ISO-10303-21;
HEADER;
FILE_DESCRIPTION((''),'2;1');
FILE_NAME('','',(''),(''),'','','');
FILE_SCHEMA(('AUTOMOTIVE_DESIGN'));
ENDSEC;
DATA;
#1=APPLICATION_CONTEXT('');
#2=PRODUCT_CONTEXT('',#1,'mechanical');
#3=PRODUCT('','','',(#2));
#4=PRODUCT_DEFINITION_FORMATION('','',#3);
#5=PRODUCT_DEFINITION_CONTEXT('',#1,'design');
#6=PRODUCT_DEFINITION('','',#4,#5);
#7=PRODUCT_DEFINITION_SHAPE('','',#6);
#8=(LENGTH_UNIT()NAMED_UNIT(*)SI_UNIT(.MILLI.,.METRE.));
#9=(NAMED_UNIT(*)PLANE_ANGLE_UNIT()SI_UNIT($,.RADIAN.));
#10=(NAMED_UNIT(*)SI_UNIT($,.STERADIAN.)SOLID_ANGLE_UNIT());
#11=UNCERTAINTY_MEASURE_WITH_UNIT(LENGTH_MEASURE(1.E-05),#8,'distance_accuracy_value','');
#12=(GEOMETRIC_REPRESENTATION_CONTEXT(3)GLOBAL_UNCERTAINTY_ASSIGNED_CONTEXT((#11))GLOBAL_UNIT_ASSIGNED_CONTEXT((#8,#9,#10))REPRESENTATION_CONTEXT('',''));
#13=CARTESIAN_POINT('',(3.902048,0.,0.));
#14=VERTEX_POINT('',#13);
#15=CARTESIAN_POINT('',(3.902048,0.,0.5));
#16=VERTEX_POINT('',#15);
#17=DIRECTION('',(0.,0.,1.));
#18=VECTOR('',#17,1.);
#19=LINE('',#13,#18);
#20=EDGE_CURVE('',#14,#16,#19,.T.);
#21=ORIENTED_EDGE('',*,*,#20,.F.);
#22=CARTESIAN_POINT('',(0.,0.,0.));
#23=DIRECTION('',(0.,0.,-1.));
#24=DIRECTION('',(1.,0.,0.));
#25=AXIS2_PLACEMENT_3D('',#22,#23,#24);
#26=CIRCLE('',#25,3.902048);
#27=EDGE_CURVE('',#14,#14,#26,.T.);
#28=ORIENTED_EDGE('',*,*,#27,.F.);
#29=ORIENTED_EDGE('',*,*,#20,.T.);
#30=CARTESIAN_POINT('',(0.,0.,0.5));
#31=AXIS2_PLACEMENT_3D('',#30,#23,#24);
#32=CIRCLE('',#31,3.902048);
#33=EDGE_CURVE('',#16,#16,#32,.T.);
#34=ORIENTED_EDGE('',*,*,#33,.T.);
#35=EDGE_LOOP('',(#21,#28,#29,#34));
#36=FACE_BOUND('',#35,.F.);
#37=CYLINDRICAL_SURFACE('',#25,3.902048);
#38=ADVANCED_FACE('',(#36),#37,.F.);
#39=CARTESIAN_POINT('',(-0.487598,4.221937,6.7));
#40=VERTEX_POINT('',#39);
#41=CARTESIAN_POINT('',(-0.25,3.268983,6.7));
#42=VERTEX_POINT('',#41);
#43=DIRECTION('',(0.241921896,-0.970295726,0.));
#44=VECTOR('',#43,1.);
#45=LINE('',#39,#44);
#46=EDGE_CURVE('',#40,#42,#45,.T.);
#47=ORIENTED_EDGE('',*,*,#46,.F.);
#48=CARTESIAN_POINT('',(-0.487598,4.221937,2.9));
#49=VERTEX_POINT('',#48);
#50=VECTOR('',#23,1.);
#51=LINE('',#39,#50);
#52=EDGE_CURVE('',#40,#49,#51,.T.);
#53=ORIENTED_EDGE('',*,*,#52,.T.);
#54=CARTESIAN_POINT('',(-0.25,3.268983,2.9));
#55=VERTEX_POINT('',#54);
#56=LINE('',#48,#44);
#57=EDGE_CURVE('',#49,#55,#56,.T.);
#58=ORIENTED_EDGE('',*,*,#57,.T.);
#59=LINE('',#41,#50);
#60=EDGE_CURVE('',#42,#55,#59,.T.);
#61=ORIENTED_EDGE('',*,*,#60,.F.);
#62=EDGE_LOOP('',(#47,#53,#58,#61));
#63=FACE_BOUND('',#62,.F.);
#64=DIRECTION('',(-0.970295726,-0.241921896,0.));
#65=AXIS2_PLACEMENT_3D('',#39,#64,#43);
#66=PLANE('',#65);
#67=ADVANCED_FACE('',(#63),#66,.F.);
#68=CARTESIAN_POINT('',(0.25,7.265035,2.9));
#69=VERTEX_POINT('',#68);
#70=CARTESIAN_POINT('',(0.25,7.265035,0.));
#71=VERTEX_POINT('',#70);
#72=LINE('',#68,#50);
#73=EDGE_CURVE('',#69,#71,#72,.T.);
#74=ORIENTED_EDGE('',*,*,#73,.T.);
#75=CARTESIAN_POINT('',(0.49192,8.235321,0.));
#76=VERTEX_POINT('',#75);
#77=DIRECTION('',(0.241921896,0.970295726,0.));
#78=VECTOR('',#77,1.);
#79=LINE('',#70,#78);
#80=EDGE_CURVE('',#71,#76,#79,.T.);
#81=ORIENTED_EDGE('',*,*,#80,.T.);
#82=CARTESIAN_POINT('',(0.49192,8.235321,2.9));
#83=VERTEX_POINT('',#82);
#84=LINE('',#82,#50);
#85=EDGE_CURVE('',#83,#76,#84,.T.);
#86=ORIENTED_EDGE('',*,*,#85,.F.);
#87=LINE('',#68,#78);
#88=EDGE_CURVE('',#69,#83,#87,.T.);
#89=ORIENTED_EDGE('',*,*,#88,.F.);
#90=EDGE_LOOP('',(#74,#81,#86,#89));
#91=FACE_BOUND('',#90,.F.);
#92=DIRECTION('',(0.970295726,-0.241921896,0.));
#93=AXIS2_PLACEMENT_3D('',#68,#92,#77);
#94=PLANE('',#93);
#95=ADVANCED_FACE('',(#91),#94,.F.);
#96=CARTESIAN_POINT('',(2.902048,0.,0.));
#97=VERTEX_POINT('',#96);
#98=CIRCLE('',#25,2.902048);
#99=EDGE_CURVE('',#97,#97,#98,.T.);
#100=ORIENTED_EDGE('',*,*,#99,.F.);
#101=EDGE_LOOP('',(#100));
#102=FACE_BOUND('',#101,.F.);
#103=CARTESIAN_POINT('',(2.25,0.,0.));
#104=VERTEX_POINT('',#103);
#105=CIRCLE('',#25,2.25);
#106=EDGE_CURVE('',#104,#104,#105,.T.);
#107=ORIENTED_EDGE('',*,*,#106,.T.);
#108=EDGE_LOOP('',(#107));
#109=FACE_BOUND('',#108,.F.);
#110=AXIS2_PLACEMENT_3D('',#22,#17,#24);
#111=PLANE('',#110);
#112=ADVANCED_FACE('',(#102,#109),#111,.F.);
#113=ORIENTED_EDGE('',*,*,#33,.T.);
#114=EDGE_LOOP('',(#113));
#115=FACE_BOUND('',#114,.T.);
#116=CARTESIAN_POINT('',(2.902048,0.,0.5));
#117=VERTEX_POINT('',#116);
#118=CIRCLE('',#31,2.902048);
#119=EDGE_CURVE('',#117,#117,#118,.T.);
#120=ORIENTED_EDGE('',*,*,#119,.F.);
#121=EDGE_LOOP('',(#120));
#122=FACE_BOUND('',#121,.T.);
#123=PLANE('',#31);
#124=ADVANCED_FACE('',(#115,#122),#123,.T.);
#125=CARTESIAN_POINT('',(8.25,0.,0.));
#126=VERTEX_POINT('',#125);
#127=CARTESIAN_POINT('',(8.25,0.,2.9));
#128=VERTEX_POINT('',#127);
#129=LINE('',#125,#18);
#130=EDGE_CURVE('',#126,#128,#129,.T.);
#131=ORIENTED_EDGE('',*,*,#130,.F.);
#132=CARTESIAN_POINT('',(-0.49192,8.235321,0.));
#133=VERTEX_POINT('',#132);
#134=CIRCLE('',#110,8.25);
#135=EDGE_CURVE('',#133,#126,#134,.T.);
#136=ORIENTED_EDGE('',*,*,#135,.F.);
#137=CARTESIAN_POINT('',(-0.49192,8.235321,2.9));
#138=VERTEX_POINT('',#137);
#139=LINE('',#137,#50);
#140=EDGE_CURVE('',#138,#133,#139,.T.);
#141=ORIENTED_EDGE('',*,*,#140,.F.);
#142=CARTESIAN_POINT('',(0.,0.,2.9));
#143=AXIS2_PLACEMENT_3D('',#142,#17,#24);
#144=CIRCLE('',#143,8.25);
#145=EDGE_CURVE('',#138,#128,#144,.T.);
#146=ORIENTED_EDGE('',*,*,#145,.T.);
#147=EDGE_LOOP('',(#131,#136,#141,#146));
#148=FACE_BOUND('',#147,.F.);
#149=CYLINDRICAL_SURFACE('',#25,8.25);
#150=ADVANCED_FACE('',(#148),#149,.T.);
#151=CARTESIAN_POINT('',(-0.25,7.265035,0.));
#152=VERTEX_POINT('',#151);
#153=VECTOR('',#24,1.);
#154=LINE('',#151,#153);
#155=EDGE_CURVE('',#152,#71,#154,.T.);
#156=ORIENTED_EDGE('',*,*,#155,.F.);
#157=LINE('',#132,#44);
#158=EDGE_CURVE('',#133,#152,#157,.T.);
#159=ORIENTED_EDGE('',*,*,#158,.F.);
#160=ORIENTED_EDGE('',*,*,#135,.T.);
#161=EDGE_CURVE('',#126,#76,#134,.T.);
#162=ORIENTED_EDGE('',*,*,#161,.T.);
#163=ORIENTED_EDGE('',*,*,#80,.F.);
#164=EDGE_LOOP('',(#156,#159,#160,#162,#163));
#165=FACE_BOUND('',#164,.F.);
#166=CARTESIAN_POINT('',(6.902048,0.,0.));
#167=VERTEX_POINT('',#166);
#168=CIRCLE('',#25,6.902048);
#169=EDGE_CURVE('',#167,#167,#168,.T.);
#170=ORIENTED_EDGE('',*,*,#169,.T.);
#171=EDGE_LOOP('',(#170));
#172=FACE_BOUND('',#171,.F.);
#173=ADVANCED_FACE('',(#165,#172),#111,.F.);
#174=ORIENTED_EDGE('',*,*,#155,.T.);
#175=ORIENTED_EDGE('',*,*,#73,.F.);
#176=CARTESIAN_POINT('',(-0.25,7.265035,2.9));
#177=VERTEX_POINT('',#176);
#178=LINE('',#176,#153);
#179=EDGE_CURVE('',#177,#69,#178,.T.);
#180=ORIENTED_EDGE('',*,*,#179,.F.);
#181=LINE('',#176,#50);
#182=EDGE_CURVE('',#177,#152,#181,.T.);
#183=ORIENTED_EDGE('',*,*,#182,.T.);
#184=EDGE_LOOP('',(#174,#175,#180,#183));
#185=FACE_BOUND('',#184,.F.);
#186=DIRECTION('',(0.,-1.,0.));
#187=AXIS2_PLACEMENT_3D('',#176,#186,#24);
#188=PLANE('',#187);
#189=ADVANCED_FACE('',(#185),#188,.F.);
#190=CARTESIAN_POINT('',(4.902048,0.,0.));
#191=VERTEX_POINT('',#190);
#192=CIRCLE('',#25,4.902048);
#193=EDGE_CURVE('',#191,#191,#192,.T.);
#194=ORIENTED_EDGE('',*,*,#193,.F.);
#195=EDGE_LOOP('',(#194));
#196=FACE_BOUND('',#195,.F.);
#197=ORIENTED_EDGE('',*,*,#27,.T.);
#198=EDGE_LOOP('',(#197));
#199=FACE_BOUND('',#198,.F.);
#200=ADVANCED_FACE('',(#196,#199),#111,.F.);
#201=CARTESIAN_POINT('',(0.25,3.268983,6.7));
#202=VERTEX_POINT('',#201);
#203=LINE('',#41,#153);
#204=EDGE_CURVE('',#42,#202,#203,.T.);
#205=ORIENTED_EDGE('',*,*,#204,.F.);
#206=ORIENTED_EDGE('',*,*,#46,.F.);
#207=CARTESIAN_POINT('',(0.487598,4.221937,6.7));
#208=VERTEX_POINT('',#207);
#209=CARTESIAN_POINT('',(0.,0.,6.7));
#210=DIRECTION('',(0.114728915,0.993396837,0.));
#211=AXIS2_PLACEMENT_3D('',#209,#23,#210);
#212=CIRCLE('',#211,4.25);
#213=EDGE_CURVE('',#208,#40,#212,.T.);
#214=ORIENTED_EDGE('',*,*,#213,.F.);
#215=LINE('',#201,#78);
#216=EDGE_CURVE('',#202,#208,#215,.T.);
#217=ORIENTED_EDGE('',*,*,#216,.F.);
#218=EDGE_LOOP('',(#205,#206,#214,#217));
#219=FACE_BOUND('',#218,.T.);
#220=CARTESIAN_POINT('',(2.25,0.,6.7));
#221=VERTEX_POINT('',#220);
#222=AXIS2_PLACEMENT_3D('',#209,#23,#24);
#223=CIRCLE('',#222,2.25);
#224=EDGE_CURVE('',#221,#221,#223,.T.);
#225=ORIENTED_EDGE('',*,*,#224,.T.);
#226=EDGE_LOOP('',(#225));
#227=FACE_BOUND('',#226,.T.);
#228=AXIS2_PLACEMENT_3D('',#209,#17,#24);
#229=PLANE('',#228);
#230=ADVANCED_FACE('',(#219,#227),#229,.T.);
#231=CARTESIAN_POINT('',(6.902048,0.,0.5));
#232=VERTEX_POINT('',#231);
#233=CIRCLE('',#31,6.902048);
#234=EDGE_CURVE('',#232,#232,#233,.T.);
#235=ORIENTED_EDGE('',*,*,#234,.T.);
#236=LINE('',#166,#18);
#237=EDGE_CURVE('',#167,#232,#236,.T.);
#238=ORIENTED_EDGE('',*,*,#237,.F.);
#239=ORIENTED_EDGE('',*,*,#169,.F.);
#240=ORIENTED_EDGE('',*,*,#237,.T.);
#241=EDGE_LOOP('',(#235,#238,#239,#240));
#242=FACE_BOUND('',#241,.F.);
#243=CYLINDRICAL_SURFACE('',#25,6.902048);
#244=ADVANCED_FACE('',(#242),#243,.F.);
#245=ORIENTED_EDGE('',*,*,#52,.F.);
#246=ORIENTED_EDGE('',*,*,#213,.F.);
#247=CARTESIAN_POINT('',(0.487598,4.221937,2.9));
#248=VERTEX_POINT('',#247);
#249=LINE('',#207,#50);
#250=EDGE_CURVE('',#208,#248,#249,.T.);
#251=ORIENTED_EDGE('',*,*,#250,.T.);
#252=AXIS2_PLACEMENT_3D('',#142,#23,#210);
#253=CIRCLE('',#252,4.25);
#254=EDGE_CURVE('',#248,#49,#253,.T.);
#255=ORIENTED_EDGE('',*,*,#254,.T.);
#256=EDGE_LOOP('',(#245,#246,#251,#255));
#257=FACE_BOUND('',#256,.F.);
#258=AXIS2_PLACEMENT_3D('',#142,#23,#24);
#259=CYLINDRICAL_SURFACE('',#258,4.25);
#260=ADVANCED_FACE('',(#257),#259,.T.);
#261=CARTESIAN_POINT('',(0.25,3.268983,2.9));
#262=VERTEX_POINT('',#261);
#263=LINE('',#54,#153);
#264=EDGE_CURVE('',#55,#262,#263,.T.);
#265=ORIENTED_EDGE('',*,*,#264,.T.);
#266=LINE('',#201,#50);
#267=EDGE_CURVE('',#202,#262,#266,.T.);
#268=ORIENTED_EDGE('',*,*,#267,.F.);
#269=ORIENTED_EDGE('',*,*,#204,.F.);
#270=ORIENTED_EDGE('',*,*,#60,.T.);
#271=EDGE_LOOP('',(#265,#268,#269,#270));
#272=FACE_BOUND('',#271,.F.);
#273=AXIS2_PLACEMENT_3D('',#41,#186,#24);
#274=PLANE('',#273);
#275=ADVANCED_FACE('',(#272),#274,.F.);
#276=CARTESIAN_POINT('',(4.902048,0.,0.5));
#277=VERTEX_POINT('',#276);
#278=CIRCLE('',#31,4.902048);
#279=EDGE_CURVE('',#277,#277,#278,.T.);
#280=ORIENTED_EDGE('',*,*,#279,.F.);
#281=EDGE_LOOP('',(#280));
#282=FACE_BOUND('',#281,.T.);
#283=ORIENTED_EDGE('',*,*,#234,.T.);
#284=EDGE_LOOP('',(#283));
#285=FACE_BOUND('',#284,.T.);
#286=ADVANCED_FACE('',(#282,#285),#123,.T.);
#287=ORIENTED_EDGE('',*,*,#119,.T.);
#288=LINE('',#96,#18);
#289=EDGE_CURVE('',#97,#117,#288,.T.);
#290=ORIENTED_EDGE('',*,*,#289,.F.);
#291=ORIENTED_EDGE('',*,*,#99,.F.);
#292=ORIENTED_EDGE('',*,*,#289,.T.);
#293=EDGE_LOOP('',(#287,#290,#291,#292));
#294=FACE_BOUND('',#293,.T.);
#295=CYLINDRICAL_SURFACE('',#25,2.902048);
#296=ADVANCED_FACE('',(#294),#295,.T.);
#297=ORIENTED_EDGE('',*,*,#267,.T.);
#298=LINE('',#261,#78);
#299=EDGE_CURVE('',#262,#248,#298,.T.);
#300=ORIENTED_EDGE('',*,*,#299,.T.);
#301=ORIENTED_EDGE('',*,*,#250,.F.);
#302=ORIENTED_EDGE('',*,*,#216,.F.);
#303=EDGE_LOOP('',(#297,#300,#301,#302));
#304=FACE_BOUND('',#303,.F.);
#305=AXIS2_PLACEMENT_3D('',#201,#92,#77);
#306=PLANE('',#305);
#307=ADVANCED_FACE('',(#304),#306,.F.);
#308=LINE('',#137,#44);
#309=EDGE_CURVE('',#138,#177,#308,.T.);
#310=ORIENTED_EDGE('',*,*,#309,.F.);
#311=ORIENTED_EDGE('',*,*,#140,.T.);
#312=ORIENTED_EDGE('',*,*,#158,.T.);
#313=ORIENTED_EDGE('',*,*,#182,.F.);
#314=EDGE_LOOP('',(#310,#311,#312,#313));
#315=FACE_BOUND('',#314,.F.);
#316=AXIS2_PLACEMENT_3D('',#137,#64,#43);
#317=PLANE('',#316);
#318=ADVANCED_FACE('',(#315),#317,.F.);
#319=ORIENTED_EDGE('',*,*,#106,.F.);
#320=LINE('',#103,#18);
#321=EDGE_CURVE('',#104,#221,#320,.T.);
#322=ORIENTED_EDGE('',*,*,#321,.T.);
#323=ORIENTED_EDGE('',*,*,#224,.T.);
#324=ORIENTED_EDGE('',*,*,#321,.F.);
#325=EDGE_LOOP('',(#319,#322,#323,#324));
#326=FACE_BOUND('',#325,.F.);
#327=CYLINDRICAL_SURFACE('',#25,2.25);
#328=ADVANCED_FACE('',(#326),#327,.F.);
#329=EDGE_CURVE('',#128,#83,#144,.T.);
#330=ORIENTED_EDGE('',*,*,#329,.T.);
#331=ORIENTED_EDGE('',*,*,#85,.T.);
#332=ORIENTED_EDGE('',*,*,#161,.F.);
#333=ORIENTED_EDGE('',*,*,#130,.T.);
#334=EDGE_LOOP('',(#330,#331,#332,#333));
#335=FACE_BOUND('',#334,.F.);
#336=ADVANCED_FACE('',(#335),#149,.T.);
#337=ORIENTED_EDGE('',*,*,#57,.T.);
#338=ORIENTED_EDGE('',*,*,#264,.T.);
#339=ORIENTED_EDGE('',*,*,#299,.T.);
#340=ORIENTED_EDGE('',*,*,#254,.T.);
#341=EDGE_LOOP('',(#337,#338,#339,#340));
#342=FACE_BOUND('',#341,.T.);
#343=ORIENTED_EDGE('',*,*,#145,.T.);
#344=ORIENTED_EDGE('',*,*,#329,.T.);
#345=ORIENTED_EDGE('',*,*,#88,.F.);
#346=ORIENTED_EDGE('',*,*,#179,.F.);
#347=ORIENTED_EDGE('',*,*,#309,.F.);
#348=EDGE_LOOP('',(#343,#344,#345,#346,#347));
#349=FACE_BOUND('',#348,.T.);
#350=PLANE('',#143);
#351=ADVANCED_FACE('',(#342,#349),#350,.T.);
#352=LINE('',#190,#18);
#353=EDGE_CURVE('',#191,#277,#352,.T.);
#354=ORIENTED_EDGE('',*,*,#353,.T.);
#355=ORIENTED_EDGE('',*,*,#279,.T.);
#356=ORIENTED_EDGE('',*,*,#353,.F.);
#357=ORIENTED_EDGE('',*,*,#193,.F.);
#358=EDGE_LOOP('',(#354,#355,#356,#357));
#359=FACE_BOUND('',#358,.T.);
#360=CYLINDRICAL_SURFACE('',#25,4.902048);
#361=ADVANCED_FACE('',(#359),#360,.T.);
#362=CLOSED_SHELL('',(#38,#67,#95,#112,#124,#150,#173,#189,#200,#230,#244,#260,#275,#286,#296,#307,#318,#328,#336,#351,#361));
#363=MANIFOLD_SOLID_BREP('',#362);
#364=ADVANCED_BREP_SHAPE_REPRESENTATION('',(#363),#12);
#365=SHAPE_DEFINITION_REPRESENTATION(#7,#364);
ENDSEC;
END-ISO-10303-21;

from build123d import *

# Parameters (mm, degrees)
F0_R      = 8.25
F1_DEPTH  = 2.9
F2_R      = 4.25
F3_DEPTH  = 3.8
F5_DEPTH  = 2.9
F7_DEPTH  = 3.8
F8_R      = 2.25
F9_DEPTH  = 6.7
F8_R_2    = 6.9020481578
F8_R_3    = 4.9020481578
F8_R_4    = 3.9020481578
F8_R_5    = 2.9020481578
F10_DEPTH = 0.5


with BuildPart() as f1:
    # F0 (on Top) → F1 (new body)
    with BuildSketch(Plane.XY):
        Circle(F0_R)
    extrude(amount=F1_DEPTH)

    # F2 (on face) → F3 (join)
    with BuildSketch(Plane.XY.offset(2.9)):
        Circle(F2_R)
    extrude(amount=F3_DEPTH)

    # F4 (on face) → F5 (cut)
    with BuildSketch(Plane.XY.offset(2.9)):
        with BuildLine():
            ThreePointArc((0.4919195185, 8.2353211952), (0, 8.25), (-0.4919195185, 8.2353211952))
            Line((-0.4919195185, 8.2353211952), (-0.25, 7.265035003))
            Line((-0.25, 7.265035003), (0.25, 7.265035003))
            Line((0.25, 7.265035003), (0.4919195185, 8.2353211952))
        make_face()
    extrude(amount=-F5_DEPTH, mode=Mode.SUBTRACT)

    # F6 (on face) → F7 (cut)
    with BuildSketch(Plane.XY.offset(6.7)):
        with BuildLine():
            ThreePointArc((0.4875978882, 4.221936558), (0, 4.25), (-0.4875978882, 4.221936558))
            Line((-0.4875978882, 4.221936558), (-0.25, 3.2689834782))
            Line((-0.25, 3.2689834782), (0.25, 3.2689834782))
            Line((0.25, 3.2689834782), (0.4875978882, 4.221936558))
        make_face()
    extrude(amount=-F7_DEPTH, mode=Mode.SUBTRACT)

    # F8 (on face) → F9 (cut)
    with BuildSketch(Plane(origin=(0, 0, 0), x_dir=(1, 0, 0), z_dir=(0, 0, -1))):
        Circle(F8_R)
    extrude(amount=-F9_DEPTH, mode=Mode.SUBTRACT)

    # F8 (on face) → F10 (cut)
    with BuildSketch(Plane(origin=(0, 0, 0), x_dir=(1, 0, 0), z_dir=(0, 0, -1))):
        Circle(F8_R_2)
        Circle(F8_R_3, mode=Mode.SUBTRACT)
        Circle(F8_R_4)
        Circle(F8_R_5, mode=Mode.SUBTRACT)
    extrude(amount=-F10_DEPTH, mode=Mode.SUBTRACT)


solid = f1.part
